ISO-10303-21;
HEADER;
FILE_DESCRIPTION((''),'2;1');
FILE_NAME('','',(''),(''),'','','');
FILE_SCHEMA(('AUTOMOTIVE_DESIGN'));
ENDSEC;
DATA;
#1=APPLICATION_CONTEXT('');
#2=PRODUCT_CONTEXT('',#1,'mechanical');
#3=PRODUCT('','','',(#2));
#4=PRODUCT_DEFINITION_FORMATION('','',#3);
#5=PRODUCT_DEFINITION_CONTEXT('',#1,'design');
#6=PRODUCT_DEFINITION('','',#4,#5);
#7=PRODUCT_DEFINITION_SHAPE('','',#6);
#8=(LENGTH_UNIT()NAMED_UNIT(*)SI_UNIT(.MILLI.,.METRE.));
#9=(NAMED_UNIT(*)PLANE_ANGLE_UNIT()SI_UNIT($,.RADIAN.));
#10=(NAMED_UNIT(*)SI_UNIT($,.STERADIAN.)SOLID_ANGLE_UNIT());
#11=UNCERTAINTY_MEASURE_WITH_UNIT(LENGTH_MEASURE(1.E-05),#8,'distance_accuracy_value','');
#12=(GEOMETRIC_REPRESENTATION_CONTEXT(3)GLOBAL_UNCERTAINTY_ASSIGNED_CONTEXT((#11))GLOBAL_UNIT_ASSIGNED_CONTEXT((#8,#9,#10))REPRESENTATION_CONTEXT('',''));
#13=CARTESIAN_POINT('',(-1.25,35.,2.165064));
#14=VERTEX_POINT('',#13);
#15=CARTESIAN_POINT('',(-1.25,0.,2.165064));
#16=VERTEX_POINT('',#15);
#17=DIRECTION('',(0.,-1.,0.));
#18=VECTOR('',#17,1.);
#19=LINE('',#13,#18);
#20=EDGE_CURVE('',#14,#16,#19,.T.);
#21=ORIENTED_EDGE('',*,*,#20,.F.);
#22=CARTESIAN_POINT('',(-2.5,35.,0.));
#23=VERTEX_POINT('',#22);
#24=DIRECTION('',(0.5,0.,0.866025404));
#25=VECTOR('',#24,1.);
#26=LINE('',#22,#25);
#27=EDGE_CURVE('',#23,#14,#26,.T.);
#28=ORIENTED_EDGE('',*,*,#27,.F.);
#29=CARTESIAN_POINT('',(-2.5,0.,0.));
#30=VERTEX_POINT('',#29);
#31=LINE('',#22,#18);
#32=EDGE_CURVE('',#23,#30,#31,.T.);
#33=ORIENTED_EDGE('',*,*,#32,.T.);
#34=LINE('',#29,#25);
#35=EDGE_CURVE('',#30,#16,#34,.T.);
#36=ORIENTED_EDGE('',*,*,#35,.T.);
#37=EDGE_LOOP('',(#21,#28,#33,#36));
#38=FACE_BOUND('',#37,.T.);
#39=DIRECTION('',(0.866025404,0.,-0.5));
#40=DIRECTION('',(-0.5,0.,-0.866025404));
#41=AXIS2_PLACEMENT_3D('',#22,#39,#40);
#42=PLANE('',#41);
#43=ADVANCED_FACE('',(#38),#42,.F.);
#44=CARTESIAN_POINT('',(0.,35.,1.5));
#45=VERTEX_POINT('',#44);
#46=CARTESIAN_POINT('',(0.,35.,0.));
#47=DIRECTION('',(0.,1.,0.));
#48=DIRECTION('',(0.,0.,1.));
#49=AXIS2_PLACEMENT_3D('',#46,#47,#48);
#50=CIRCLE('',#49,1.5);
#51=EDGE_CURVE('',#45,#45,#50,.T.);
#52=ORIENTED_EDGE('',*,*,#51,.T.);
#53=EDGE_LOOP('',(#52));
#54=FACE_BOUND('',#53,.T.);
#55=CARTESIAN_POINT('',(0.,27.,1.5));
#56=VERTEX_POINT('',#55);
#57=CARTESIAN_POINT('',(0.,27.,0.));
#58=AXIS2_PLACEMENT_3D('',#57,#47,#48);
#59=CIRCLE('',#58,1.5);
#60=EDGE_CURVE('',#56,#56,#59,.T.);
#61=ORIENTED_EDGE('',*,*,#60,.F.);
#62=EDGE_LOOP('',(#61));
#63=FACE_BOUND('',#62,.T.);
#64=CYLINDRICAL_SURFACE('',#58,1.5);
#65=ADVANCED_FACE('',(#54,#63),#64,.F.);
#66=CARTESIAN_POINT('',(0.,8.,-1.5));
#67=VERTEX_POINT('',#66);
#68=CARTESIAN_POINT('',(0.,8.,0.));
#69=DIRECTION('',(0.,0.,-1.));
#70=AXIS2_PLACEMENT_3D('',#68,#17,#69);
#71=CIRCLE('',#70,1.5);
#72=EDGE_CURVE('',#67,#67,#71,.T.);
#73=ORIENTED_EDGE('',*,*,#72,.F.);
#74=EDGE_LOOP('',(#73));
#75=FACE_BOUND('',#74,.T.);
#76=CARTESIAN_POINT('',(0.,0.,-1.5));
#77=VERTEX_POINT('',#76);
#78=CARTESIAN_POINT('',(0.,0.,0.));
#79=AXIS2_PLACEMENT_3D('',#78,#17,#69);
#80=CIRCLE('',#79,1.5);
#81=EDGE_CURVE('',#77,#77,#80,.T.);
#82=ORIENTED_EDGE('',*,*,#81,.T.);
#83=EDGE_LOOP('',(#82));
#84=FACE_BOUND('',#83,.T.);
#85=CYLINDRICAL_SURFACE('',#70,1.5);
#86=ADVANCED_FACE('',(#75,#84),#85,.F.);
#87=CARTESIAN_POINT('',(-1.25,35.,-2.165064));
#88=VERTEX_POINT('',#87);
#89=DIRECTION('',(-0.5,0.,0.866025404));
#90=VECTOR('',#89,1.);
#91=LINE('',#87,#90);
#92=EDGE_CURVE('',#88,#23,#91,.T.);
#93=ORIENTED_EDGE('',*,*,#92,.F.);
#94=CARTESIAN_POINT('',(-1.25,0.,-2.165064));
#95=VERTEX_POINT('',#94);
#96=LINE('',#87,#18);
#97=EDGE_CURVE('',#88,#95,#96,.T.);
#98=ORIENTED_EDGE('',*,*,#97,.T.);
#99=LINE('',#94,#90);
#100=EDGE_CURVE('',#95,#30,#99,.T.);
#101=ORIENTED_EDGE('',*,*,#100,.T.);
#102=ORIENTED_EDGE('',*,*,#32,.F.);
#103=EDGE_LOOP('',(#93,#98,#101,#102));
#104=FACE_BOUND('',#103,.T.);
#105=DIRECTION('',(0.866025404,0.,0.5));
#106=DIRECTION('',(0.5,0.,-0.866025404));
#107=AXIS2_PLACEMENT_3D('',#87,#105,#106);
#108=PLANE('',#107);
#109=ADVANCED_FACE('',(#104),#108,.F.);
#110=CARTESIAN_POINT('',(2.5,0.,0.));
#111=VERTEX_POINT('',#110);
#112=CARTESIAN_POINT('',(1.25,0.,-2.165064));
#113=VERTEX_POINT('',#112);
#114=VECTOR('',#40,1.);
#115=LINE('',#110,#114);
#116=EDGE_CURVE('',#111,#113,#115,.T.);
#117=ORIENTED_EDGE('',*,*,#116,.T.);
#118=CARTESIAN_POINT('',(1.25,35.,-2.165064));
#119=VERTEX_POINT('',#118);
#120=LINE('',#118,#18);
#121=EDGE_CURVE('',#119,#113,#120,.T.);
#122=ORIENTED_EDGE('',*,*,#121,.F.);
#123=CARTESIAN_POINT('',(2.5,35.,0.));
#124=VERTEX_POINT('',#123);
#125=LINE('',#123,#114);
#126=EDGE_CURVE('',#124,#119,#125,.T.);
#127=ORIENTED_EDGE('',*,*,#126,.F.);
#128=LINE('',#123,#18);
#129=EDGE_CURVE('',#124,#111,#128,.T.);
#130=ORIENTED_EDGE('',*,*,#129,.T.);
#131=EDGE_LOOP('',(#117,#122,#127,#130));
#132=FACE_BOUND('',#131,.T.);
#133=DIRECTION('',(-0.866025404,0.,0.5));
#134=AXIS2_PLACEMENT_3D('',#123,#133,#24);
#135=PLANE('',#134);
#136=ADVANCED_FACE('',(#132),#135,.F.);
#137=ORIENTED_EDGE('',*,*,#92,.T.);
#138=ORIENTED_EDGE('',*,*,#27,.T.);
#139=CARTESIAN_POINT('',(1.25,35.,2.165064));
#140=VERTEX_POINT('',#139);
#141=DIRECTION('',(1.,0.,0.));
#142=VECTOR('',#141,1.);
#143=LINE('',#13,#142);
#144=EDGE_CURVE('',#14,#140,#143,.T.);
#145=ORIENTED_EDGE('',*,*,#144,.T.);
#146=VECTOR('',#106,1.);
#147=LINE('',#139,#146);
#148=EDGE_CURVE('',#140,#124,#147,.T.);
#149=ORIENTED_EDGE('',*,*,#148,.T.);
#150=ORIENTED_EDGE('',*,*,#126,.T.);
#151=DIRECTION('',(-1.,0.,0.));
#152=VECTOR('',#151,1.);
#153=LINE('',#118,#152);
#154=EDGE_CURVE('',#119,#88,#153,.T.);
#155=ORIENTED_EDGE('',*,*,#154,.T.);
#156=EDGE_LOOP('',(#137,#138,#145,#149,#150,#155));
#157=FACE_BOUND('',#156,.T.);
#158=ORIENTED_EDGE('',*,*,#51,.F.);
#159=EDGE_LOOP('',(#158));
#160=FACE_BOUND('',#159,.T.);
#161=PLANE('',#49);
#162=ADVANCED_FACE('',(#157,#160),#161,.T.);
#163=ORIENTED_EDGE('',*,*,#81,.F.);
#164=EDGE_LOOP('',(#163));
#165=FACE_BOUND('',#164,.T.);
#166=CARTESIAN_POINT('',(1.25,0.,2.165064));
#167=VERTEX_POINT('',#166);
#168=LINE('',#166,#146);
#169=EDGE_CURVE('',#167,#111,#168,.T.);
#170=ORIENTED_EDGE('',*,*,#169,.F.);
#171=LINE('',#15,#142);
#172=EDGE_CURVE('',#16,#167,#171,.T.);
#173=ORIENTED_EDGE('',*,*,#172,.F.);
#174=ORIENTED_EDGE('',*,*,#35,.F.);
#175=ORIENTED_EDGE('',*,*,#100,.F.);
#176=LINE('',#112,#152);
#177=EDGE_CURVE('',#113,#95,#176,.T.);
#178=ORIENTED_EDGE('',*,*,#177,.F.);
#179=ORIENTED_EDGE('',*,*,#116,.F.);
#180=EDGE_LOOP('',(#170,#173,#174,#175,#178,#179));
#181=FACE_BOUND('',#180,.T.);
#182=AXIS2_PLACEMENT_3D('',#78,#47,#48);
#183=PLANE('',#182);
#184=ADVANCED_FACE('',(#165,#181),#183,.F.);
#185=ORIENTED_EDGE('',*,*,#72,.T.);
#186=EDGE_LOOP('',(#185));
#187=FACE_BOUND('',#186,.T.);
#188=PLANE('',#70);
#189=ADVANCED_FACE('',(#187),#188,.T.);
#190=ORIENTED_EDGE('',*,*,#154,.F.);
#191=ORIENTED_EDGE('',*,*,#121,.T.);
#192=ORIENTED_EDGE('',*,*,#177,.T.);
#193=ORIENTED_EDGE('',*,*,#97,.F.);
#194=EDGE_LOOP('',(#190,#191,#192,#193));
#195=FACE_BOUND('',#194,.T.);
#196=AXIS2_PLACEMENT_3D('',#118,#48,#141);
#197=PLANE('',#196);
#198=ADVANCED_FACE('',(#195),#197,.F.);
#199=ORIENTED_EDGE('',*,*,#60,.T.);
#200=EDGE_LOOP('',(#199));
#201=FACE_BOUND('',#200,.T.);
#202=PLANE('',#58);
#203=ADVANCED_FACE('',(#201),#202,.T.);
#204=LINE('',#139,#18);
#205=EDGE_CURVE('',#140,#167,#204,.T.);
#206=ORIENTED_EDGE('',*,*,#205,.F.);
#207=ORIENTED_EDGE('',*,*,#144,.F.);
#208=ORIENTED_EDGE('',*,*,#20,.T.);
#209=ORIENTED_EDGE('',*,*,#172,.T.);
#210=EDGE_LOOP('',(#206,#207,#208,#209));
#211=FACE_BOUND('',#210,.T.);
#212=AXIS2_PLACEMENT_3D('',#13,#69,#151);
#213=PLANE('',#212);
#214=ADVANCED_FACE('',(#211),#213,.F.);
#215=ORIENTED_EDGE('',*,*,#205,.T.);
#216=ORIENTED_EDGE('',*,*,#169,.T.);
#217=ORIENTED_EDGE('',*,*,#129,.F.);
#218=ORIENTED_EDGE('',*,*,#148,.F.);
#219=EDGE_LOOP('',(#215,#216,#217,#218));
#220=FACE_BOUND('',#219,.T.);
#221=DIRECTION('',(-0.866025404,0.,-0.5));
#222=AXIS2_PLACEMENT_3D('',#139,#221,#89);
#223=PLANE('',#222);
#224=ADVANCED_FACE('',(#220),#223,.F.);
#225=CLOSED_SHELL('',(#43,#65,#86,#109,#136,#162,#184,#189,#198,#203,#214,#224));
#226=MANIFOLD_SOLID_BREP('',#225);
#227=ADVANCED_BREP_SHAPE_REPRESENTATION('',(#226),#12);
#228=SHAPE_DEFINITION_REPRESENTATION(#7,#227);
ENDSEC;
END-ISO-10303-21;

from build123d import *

# Parameters (mm, degrees)
RESSALTO_EXTRUS_O1_DEPTH = 35
ESBO_O2_R                = 1.5
CORTE_EXTRUS_O1_DEPTH    = 8
CORTE_EXTRUS_O2_START    = -8
ESBO_O3_R                = 1.5
CORTE_EXTRUS_O2_DEPTH    = 8


with BuildPart() as part:
    # Esboço1 → Ressalto-extrusão1 (new body)
    with BuildSketch(Plane(origin=(0, 0, 0), x_dir=(1, 0, 0), z_dir=(0, 1, 0))):
        Polygon((2.5, 0), (1.25, 2.165063509), (-1.25, 2.165063509), (-2.5, 0), (-1.25, -2.165063509), (1.25, -2.165063509), align=None)
    extrude(amount=RESSALTO_EXTRUS_O1_DEPTH)

    # Esboço2 → Corte-extrusão1 (cut)
    with BuildSketch(Plane(origin=(0, 35, 0), x_dir=(1, 0, 0), z_dir=(0, 1, 0))):
        with Locations(Location((0, 0, 0), (0, 0, 270))):
            Circle(ESBO_O2_R)
    extrude(amount=-CORTE_EXTRUS_O1_DEPTH, mode=Mode.SUBTRACT)

    # Esboço3 → Corte-extrusão2 (cut)
    with BuildSketch(Plane.XZ.offset(CORTE_EXTRUS_O2_START)):
        with Locations(Location((0, 0, 0), (0, 0, 90))):
            Circle(ESBO_O3_R)
    extrude(amount=CORTE_EXTRUS_O2_DEPTH, mode=Mode.SUBTRACT)


solid = part.part
